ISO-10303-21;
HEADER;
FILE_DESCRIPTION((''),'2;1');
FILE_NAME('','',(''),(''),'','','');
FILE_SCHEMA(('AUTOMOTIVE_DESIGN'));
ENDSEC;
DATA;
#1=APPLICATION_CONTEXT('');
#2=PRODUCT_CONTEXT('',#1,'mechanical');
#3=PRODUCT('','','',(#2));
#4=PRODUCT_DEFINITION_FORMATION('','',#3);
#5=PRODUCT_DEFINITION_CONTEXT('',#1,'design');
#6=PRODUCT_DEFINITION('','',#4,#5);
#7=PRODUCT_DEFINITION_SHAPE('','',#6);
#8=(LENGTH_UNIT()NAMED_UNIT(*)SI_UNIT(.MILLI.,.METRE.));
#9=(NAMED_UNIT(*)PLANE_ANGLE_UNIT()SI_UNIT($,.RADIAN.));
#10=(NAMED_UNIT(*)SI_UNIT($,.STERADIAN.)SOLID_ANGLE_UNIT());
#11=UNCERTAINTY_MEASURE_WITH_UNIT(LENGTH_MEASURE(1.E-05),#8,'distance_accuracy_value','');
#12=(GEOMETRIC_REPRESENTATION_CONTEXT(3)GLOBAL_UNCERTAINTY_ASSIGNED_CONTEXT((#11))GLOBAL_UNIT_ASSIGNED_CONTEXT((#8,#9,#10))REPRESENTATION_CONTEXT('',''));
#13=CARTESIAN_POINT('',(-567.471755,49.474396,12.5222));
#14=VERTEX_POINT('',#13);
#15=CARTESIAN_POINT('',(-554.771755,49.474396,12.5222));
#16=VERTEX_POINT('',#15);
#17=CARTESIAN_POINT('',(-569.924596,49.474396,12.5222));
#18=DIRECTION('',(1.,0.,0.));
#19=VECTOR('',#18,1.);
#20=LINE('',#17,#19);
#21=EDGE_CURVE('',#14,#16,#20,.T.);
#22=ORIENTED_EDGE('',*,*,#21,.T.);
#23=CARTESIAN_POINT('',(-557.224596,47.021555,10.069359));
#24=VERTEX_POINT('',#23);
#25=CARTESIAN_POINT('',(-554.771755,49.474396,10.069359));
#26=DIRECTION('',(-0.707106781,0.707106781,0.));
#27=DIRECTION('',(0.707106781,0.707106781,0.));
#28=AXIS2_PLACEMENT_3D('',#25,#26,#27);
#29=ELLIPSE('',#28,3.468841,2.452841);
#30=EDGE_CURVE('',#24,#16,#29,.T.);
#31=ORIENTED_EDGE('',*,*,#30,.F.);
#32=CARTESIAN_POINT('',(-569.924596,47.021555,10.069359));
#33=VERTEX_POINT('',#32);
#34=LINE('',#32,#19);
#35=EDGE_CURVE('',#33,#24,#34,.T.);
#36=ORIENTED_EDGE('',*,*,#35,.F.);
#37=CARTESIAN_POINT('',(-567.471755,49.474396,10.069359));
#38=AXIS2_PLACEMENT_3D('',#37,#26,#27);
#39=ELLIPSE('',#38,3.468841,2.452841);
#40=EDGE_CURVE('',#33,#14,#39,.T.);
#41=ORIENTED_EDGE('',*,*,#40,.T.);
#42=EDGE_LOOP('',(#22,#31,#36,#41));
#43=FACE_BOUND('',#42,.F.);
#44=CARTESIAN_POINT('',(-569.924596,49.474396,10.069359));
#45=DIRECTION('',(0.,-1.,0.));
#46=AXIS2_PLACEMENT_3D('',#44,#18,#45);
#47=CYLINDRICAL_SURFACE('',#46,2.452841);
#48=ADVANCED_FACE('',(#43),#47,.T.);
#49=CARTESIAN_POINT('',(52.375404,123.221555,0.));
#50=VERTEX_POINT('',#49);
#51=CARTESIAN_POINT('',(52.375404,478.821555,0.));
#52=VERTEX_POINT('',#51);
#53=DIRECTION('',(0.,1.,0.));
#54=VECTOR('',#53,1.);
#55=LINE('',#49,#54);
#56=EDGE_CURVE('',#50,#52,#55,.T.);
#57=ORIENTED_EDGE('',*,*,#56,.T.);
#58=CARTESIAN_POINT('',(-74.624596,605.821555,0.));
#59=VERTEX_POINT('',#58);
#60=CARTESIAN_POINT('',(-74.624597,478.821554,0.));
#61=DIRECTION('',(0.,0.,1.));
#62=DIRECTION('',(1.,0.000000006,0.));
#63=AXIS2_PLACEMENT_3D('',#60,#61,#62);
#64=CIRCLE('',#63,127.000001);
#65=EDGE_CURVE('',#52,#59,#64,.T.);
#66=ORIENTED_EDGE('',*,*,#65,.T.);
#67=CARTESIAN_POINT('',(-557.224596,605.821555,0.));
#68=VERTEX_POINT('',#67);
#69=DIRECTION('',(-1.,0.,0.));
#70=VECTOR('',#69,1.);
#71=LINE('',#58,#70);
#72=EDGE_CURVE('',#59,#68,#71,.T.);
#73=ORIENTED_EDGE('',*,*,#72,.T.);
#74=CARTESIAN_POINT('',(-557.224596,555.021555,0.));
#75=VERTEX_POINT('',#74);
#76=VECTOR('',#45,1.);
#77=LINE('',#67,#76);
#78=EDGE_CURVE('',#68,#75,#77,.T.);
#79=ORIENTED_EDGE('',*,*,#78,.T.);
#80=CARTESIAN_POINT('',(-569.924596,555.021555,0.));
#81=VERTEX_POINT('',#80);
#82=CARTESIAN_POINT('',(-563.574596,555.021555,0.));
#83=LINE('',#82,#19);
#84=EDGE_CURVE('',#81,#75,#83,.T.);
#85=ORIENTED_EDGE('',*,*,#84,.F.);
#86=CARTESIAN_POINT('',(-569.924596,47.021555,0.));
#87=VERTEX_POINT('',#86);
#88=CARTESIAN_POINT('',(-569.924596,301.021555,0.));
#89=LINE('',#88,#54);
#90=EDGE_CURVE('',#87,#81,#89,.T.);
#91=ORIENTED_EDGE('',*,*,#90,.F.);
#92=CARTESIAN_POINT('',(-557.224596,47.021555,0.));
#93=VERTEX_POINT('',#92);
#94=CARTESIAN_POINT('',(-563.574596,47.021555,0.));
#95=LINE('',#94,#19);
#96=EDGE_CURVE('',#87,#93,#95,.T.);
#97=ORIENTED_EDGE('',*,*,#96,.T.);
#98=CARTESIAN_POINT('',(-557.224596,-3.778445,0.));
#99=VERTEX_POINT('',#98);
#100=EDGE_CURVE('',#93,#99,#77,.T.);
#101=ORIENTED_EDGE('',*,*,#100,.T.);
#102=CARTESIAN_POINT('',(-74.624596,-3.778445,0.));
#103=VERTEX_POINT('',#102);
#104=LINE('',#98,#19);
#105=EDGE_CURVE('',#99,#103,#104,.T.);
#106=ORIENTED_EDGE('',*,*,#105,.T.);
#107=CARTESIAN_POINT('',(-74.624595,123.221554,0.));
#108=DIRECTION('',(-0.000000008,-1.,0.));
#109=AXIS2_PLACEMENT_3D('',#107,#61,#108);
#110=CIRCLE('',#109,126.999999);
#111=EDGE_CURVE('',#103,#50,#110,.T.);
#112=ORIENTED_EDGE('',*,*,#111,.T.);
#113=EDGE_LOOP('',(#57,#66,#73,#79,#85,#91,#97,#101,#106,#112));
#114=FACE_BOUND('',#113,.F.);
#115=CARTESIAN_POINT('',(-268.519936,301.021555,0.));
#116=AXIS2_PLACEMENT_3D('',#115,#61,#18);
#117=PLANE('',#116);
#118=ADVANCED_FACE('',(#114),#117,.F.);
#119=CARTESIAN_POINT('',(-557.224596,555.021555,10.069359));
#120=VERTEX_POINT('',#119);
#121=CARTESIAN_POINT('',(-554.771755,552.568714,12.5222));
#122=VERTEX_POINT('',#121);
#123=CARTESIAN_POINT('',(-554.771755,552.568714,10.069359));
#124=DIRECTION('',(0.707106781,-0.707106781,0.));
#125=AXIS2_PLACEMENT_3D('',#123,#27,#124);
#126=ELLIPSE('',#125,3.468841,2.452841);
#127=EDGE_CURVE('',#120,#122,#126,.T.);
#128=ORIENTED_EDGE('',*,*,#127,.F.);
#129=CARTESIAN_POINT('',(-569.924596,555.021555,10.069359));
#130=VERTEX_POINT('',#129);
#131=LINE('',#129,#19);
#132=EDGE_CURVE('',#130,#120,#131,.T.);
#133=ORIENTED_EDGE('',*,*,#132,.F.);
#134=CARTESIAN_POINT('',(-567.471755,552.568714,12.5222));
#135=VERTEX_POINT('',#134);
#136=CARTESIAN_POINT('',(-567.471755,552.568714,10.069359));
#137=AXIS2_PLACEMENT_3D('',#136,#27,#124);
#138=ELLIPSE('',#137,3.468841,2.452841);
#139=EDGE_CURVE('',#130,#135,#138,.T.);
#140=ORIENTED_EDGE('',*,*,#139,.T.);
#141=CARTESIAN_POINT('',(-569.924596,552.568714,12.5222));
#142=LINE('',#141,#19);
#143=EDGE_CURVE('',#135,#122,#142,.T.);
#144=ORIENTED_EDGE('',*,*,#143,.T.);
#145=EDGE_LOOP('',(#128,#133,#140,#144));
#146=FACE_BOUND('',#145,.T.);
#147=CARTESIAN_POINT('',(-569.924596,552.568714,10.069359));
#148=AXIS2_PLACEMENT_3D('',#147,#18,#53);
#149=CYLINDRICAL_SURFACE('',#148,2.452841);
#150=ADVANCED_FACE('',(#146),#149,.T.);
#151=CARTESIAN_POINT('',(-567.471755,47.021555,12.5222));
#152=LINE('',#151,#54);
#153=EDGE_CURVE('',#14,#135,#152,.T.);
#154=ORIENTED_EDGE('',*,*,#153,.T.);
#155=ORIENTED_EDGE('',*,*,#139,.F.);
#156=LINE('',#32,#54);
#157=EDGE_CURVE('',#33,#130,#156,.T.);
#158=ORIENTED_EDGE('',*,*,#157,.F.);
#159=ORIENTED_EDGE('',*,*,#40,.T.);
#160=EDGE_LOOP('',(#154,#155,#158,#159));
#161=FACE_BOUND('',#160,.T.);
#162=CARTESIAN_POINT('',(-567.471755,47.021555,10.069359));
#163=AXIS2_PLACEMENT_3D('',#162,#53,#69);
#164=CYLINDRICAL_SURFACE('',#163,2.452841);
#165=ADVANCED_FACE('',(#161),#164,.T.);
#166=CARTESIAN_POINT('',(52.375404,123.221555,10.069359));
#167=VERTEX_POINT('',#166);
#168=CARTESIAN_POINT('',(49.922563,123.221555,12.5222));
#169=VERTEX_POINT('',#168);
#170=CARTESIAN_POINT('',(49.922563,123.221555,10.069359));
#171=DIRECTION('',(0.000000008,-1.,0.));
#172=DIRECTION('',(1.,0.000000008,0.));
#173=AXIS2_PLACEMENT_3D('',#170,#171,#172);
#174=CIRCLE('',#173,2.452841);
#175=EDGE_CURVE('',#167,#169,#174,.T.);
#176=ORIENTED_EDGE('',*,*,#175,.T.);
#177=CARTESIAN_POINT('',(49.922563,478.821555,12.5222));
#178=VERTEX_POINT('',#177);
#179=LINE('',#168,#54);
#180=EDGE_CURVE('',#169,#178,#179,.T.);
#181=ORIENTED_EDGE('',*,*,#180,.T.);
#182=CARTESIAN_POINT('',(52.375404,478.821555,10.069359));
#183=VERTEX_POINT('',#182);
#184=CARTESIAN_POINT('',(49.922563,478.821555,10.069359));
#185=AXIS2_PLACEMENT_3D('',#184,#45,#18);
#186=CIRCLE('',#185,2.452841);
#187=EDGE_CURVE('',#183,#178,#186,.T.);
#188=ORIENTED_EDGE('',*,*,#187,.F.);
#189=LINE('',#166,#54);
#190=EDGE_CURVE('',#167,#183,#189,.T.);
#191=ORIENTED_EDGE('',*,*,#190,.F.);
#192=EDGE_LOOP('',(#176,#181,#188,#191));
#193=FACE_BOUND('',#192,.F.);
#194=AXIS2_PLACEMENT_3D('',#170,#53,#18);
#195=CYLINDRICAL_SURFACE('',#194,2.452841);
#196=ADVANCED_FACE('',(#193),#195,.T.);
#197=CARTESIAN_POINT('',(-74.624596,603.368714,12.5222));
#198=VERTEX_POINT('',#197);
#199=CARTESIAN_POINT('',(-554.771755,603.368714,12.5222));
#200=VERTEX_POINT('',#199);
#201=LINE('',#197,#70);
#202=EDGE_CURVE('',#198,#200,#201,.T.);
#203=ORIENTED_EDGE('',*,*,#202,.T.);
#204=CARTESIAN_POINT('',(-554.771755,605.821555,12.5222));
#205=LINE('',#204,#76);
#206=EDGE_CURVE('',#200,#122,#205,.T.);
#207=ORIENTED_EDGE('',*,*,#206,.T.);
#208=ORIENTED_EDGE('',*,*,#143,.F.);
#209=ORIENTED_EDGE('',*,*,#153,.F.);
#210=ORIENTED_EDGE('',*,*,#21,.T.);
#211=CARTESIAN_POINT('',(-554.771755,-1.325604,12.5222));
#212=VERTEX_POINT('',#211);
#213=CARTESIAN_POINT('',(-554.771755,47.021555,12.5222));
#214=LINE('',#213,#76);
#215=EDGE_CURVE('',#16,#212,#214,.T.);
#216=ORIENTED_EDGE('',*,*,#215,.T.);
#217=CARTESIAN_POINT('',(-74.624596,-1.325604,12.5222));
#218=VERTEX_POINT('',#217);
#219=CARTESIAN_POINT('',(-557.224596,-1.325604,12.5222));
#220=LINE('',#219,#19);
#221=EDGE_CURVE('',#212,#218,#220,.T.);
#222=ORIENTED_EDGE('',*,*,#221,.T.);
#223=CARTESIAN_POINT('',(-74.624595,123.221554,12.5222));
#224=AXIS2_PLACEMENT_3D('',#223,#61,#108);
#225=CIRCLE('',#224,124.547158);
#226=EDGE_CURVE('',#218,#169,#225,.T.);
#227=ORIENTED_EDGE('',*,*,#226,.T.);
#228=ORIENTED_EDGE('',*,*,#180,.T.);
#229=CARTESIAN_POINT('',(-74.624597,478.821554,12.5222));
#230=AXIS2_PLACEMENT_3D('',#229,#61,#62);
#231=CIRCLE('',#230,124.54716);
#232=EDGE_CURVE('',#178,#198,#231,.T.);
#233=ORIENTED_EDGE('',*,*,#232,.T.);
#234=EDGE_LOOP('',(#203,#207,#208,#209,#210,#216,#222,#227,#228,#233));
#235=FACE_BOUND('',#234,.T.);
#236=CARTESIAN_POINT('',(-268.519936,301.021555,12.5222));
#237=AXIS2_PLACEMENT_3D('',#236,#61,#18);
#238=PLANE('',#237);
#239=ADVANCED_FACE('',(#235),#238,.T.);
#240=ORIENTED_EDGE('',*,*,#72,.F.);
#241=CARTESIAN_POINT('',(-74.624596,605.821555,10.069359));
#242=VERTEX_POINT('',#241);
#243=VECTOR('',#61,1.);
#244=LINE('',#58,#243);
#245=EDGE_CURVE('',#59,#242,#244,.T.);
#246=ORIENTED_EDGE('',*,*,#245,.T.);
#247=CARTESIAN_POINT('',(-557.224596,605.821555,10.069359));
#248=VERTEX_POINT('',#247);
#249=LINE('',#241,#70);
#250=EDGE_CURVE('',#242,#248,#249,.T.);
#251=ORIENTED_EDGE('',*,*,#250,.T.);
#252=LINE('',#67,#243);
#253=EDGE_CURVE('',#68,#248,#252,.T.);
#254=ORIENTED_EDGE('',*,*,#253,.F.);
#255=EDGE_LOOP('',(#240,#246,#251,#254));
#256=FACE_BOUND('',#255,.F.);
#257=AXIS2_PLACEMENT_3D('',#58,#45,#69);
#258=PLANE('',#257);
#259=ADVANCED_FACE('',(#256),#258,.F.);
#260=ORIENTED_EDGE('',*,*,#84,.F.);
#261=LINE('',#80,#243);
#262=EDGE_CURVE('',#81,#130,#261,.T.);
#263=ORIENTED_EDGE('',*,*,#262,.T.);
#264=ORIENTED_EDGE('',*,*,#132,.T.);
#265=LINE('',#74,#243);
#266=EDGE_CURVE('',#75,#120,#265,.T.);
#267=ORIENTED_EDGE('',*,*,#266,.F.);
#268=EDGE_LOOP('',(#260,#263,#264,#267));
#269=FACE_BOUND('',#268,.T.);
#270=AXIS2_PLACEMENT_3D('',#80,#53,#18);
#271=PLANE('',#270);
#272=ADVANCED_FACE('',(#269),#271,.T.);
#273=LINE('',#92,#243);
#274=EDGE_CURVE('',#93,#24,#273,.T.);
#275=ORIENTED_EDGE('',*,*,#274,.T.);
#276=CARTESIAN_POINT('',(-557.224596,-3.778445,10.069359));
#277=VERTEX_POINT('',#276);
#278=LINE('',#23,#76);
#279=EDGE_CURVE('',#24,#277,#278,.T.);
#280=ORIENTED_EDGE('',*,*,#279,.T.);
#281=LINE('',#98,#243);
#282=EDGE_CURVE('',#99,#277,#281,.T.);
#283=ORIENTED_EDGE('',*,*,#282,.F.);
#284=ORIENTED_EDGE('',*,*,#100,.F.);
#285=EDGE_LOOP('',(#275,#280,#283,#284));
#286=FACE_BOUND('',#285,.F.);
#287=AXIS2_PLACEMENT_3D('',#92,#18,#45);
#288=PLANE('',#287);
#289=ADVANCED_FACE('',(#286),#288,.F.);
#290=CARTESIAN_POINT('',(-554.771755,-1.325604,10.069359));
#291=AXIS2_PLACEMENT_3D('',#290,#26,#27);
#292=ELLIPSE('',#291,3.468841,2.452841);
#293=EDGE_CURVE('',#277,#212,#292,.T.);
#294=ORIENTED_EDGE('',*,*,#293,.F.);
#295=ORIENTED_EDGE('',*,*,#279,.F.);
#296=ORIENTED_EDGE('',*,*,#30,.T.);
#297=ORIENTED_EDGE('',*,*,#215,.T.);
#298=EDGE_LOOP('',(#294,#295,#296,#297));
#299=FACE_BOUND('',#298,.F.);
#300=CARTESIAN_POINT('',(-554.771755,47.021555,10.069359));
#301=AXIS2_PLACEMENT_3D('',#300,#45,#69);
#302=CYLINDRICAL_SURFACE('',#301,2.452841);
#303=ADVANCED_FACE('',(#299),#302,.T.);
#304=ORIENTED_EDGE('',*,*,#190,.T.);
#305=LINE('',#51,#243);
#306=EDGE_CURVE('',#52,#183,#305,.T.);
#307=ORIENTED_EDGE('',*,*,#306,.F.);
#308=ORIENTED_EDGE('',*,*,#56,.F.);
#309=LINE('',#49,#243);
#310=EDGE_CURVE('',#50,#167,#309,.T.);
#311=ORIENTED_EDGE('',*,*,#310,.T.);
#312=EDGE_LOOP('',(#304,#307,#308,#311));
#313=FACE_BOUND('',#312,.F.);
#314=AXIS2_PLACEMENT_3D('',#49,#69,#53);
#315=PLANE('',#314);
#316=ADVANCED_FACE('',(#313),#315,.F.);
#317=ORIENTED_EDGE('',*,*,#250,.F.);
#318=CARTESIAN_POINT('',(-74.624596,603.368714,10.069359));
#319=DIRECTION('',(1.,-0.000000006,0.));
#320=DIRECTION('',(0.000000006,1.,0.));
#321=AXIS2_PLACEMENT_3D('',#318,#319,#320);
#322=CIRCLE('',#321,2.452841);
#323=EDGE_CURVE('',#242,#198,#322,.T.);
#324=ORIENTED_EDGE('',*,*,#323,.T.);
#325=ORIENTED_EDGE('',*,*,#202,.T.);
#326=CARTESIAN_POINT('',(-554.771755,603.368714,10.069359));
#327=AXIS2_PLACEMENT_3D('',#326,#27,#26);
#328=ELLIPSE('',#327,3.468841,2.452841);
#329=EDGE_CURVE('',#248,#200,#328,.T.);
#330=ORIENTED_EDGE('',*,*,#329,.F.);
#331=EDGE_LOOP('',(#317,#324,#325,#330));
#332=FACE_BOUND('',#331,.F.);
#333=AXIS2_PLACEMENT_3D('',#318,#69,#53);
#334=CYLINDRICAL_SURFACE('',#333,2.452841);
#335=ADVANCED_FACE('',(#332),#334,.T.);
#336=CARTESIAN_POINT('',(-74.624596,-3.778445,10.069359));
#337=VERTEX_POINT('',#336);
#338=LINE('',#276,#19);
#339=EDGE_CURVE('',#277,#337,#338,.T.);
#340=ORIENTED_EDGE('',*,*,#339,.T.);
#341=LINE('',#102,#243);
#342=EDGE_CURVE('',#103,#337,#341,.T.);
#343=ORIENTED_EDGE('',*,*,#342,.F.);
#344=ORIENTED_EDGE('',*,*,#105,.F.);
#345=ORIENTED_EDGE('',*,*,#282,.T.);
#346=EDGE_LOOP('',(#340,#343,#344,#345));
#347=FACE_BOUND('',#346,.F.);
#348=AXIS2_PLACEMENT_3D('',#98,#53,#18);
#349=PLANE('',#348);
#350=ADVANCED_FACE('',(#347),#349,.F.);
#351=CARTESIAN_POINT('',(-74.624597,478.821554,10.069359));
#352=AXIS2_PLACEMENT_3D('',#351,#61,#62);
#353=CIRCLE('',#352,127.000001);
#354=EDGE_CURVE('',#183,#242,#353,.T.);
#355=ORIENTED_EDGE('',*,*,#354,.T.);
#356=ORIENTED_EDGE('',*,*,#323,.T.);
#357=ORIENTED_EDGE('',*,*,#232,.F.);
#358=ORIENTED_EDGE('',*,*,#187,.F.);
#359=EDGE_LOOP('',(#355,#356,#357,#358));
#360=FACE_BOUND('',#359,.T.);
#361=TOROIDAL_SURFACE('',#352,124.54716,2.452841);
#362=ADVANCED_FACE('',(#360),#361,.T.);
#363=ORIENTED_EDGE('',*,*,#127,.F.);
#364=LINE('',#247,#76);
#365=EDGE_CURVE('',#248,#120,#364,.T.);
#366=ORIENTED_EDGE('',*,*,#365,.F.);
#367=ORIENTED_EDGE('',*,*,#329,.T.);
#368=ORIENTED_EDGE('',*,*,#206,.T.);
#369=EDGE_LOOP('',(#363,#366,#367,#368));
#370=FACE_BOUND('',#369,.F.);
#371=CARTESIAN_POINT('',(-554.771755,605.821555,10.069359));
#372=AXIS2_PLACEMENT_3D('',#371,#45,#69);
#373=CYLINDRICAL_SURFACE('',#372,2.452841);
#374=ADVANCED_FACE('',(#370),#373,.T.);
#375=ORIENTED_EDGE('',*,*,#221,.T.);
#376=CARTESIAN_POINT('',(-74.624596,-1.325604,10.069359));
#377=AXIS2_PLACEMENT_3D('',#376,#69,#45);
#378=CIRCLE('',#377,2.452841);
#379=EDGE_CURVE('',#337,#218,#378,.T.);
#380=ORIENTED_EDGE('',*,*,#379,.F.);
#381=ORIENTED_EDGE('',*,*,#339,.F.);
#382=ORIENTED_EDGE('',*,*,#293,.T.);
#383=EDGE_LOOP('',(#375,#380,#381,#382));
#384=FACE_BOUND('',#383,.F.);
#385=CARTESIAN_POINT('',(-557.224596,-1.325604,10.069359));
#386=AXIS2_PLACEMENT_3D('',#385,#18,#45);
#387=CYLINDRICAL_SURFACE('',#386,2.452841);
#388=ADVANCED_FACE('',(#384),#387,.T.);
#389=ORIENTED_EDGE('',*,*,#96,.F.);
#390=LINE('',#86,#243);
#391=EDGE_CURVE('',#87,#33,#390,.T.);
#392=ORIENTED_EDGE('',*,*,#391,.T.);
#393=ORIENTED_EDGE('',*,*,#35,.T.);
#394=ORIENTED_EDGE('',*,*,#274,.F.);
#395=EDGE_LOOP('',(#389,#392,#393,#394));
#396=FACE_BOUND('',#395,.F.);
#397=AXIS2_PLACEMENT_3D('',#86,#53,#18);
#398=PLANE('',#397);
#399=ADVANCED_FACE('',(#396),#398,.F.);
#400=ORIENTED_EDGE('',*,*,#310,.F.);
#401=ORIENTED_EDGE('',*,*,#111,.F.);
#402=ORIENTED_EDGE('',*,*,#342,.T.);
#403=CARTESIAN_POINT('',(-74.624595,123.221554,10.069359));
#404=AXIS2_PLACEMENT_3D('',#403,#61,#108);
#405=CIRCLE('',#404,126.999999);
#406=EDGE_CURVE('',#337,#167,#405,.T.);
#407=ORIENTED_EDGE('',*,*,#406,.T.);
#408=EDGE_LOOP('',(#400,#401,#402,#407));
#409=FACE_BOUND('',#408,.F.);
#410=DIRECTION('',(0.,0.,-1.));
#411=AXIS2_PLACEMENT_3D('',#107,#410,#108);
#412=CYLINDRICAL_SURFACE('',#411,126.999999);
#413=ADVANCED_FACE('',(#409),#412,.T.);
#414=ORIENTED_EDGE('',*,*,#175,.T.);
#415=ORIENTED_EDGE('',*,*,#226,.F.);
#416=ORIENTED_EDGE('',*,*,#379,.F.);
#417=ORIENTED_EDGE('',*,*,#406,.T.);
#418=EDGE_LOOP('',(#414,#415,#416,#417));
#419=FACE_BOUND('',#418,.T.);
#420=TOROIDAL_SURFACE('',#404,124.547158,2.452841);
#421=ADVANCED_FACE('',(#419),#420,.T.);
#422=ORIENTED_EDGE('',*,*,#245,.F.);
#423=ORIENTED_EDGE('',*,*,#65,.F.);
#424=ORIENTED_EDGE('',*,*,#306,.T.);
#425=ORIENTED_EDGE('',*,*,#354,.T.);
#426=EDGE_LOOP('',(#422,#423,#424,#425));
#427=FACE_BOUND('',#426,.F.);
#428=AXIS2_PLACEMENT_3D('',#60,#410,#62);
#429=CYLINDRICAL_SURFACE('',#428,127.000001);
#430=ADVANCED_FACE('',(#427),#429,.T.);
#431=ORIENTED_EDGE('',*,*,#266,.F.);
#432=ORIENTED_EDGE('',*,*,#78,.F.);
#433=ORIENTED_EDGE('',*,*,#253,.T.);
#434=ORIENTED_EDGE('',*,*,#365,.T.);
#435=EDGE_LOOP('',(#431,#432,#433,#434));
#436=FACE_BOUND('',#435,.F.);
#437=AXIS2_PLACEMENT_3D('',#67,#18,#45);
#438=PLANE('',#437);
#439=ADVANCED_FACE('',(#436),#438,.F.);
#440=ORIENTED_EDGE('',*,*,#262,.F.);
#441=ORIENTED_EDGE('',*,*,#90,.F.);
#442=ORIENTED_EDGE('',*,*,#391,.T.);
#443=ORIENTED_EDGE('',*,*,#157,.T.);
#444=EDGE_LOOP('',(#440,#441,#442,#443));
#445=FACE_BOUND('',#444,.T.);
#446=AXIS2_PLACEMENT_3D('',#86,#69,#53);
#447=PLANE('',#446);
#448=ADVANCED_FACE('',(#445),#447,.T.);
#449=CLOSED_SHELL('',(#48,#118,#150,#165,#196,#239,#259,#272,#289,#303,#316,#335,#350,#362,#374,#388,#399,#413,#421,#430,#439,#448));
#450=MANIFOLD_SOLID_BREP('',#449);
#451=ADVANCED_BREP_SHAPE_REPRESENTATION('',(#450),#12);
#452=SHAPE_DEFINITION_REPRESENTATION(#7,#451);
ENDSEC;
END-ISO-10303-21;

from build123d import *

# Parameters (mm, degrees)
F0_W     = 12.7
F0_H     = 508
F1_DEPTH = 12.5222
F2_R     = 2.452841


with BuildPart() as f1:
    # F0 (on Top) → F1 (new body)
    with BuildSketch(Plane.XY):
        with BuildLine():
            Line((-74.624596, 605.821555), (-557.224596, 605.821555))
            Line((-557.224596, 605.821555), (-557.224596, 555.021555))
            Line((-557.224596, 555.021555), (-557.224596, 47.021555))
            Line((-557.224596, 47.021555), (-557.224596, -3.778445))
            Line((-557.224596, -3.778445), (-74.624596, -3.778445))
            ThreePointArc((-74.624596, -3.778445), (15.177965, 33.418993), (52.375404, 123.221555))
            Line((52.375404, 123.221555), (52.375404, 478.821555))
            ThreePointArc((52.375404, 478.821555), (15.177965, 568.624116), (-74.624596, 605.821555))
        make_face()
        with Locations((-563.574596, 301.021555)):
            Rectangle(F0_W, F0_H)
    extrude(amount=F1_DEPTH)

    # F2
    f2_edges = [f1.edges().sort_by_distance(p)[0] for p in [
        (52.375404, 301.021555, 12.5222),
        (15.177965, 568.624116, 12.5222),
        (-315.924596, 605.821555, 12.5222),
        (-557.224596, 580.421555, 12.5222),
        (-563.574596, 555.021555, 12.5222),
        (-569.924596, 301.021555, 12.5222),
        (-563.574596, 47.021555, 12.5222),
        (-557.224596, 21.621555, 12.5222),
        (-315.924596, -3.778445, 12.5222),
        (15.177965, 33.418993, 12.5222),
    ]]
    fillet(f2_edges, radius=F2_R)


solid = f1.part
